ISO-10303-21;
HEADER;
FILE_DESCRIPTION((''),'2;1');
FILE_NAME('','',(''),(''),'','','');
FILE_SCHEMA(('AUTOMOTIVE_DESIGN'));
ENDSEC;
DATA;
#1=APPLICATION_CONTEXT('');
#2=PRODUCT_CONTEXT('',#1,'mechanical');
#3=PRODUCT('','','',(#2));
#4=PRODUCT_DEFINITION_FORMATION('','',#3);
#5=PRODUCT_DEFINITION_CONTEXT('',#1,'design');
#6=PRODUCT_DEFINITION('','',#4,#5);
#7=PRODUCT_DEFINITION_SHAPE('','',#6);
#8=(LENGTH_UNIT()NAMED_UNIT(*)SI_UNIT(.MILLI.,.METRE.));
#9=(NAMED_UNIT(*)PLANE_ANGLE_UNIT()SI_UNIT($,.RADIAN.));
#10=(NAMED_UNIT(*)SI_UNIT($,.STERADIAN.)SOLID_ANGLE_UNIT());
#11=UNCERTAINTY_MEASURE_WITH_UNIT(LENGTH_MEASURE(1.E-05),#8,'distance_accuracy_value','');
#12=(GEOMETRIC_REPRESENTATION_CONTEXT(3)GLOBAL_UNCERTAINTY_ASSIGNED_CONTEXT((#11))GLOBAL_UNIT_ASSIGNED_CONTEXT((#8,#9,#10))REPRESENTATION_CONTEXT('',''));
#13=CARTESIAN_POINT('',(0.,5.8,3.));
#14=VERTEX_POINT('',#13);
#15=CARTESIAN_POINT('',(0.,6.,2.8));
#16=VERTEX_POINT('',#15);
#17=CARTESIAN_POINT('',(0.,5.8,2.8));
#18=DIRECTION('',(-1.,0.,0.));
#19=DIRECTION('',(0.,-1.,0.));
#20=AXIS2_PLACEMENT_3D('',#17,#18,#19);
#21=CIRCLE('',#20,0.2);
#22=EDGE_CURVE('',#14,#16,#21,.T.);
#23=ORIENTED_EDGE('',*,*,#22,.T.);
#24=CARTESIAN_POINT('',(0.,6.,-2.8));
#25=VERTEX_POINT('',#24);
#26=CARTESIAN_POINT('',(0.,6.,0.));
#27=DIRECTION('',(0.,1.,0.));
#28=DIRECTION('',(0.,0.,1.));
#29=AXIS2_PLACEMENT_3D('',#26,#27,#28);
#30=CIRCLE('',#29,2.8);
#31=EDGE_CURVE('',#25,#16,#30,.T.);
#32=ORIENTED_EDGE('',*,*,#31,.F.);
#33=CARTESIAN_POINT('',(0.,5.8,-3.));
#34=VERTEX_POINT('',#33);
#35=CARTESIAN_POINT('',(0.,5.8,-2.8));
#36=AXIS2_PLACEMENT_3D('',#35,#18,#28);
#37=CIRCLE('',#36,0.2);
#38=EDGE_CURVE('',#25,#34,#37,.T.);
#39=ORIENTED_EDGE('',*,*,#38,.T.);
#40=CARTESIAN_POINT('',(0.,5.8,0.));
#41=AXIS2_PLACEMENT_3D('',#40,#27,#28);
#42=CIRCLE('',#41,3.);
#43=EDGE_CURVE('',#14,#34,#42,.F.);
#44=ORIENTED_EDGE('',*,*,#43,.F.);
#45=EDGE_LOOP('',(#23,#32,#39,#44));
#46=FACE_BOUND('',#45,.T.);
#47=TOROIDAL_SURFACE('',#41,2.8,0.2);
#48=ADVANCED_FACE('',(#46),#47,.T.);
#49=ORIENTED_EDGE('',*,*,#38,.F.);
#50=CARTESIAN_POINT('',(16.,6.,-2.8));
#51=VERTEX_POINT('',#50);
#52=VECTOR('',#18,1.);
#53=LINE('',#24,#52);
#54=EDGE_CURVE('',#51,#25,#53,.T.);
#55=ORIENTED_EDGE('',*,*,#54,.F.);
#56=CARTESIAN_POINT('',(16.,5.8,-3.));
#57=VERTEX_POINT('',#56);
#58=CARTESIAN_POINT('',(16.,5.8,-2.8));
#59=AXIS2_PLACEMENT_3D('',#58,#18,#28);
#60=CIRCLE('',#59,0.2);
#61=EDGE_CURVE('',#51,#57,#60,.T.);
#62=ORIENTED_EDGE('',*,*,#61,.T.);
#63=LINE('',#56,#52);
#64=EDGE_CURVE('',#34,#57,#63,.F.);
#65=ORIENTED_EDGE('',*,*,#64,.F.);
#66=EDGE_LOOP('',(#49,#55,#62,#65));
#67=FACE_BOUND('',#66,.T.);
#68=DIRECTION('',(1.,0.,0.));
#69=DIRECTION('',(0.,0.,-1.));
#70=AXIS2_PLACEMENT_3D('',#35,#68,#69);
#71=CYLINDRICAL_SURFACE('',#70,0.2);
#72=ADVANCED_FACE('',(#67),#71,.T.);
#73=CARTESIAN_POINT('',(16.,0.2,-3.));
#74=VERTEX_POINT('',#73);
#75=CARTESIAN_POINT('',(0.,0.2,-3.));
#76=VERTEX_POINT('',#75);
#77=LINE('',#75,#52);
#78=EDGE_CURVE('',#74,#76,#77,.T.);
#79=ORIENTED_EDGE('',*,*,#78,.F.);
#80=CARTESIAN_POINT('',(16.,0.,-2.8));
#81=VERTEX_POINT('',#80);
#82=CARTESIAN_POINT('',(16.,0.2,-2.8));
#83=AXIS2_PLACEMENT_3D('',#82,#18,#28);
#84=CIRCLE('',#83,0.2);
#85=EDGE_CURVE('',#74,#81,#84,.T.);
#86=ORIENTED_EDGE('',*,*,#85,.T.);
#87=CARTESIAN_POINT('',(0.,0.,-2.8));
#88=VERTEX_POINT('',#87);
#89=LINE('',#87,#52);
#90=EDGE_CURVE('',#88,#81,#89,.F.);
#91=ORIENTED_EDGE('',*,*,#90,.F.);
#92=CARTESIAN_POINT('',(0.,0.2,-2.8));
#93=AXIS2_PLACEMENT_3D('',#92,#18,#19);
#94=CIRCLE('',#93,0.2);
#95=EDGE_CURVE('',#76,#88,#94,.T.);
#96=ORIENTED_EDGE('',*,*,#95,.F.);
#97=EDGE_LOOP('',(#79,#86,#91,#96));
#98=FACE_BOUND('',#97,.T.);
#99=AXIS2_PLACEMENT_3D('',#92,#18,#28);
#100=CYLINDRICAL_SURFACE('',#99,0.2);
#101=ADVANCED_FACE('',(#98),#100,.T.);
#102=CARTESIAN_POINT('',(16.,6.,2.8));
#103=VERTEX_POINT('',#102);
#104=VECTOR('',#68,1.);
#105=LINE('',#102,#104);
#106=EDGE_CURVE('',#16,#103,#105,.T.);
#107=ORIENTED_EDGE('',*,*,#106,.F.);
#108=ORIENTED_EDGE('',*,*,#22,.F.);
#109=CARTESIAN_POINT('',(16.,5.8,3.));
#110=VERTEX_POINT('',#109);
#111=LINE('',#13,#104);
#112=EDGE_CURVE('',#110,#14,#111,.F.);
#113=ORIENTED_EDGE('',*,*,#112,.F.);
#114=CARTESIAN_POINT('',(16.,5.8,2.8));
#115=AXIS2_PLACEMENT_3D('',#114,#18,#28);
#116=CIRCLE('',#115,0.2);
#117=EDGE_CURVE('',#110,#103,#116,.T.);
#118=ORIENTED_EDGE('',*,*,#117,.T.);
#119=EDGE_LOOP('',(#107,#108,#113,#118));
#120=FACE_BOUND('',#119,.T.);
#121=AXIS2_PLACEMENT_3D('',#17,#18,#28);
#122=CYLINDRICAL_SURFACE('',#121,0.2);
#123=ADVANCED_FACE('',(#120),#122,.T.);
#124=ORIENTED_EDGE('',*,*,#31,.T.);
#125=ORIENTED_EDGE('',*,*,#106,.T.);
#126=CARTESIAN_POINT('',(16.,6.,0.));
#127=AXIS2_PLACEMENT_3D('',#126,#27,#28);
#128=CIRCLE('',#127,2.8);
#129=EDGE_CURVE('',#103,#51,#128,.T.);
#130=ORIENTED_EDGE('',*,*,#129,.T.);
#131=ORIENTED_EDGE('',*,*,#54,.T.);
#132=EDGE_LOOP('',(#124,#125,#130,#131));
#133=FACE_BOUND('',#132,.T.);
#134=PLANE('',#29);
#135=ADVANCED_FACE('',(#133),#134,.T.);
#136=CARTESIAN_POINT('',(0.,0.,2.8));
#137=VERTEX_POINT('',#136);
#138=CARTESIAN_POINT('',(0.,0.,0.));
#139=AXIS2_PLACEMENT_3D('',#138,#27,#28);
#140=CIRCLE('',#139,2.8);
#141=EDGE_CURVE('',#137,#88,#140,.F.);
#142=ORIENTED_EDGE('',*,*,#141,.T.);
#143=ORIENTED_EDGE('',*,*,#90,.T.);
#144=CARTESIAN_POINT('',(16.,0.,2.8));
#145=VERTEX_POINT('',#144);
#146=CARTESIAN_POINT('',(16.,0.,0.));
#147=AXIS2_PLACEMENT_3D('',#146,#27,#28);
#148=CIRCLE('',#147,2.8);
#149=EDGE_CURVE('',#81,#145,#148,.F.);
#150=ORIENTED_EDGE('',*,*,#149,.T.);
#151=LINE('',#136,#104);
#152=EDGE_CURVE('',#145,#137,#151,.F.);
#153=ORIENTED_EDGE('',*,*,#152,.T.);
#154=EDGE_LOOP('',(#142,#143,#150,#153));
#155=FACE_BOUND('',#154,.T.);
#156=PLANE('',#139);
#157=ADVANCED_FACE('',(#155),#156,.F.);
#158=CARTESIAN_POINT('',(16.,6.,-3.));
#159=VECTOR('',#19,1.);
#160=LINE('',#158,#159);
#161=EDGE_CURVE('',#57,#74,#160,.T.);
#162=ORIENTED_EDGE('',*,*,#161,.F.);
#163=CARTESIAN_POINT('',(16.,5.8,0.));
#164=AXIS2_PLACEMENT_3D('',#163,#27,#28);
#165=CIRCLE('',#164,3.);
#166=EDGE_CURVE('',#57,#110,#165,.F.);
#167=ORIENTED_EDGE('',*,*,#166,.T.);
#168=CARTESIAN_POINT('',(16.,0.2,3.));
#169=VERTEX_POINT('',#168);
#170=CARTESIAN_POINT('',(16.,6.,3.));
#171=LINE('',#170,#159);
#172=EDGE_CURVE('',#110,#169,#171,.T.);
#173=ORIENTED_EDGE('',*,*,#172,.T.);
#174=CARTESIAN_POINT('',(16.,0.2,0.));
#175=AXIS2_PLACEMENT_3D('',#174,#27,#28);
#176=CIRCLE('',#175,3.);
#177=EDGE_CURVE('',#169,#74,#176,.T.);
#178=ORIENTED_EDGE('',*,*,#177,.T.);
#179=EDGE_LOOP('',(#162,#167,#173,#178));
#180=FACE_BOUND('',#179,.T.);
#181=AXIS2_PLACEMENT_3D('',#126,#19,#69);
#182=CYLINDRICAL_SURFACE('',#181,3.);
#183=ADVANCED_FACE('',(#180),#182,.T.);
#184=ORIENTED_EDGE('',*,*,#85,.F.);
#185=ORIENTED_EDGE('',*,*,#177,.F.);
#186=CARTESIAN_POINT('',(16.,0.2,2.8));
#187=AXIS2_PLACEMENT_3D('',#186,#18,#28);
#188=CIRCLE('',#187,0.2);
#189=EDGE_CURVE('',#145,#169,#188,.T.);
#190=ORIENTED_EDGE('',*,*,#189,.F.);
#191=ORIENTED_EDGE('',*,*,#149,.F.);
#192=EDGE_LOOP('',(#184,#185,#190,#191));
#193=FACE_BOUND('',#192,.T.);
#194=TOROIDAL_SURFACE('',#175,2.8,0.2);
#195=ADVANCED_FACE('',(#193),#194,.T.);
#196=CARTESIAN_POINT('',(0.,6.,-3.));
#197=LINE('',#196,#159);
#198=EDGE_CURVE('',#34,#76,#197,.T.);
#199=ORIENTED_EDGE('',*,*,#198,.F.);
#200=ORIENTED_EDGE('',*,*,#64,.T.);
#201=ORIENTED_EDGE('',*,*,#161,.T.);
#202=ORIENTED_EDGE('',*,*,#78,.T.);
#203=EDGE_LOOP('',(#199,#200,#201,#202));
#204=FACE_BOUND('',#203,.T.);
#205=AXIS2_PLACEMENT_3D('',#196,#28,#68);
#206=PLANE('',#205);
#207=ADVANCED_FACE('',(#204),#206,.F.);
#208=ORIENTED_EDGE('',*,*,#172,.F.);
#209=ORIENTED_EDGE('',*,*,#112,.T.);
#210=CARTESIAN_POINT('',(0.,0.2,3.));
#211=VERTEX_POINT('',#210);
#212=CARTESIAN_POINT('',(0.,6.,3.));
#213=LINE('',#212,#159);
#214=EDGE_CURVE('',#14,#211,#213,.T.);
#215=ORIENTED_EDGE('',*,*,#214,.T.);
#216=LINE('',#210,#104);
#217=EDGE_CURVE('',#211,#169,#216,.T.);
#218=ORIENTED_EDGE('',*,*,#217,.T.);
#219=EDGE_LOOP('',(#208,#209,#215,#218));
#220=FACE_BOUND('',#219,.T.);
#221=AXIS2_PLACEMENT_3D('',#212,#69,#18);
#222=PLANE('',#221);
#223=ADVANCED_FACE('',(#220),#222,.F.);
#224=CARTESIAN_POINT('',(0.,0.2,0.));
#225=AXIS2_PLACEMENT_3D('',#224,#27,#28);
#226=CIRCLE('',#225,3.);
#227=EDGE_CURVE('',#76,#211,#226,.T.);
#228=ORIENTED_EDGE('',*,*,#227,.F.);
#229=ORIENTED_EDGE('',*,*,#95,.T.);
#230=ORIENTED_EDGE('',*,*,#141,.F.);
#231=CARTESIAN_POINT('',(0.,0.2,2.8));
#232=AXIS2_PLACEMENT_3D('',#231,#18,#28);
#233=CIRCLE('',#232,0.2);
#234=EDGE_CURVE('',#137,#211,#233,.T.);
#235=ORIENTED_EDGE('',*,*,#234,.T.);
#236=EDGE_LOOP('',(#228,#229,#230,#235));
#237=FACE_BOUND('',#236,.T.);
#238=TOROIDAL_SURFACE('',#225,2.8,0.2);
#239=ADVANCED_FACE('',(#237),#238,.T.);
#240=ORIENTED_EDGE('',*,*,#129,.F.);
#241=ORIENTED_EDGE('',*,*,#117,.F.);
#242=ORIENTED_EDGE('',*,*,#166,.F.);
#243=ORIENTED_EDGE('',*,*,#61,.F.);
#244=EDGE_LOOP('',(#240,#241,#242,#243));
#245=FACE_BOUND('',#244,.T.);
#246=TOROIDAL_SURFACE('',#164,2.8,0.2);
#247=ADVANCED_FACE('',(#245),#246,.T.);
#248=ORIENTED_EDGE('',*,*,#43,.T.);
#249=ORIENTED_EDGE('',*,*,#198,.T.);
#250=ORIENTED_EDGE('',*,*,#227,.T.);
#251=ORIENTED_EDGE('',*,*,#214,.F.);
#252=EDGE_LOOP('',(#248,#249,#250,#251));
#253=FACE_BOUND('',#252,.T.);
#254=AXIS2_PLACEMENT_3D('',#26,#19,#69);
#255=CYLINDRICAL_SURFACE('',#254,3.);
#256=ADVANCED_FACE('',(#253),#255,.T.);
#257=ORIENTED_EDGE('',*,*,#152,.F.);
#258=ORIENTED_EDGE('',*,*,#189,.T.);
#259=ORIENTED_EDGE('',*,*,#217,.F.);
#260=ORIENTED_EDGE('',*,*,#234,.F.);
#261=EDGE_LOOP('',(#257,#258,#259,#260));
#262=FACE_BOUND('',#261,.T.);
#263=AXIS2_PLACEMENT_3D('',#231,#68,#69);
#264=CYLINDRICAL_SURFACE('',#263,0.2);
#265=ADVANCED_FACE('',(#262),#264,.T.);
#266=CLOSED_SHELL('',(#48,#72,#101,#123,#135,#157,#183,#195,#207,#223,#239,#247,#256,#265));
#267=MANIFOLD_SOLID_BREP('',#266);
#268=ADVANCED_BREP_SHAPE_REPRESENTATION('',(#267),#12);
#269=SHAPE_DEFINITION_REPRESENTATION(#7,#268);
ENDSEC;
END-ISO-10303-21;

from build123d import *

# Parameters (mm, degrees)
BOSS_EXTRUDE1_DEPTH = 6
FILLET1_R           = 0.2


with BuildPart() as part:
    # Sketch1 → Boss-Extrude1 (new body)
    with BuildSketch(Plane(origin=(0, 0, 0), x_dir=(1, 0, 0), z_dir=(0, 1, 0))):
        with BuildLine():
            Line((0, 3), (16, 3))
            ThreePointArc((16, 3), (19, 0), (16, -3))
            Line((16, -3), (0, -3))
            ThreePointArc((0, -3), (-3, 0), (0, 3))
        make_face()
    extrude(amount=BOSS_EXTRUDE1_DEPTH)

    # Fillet1
    fillet1_edges = [part.edges().sort_by_distance(p)[0] for p in [
        (19, 6, 0),
        (8, 6, -3),
        (-3, 6, 0),
        (8, 0, -3),
        (19, 0, 0),
        (8, 0, 3),
        (-3, 0, 0),
        (8, 6, 3),
    ]]
    fillet(fillet1_edges, radius=FILLET1_R)


solid = part.part
